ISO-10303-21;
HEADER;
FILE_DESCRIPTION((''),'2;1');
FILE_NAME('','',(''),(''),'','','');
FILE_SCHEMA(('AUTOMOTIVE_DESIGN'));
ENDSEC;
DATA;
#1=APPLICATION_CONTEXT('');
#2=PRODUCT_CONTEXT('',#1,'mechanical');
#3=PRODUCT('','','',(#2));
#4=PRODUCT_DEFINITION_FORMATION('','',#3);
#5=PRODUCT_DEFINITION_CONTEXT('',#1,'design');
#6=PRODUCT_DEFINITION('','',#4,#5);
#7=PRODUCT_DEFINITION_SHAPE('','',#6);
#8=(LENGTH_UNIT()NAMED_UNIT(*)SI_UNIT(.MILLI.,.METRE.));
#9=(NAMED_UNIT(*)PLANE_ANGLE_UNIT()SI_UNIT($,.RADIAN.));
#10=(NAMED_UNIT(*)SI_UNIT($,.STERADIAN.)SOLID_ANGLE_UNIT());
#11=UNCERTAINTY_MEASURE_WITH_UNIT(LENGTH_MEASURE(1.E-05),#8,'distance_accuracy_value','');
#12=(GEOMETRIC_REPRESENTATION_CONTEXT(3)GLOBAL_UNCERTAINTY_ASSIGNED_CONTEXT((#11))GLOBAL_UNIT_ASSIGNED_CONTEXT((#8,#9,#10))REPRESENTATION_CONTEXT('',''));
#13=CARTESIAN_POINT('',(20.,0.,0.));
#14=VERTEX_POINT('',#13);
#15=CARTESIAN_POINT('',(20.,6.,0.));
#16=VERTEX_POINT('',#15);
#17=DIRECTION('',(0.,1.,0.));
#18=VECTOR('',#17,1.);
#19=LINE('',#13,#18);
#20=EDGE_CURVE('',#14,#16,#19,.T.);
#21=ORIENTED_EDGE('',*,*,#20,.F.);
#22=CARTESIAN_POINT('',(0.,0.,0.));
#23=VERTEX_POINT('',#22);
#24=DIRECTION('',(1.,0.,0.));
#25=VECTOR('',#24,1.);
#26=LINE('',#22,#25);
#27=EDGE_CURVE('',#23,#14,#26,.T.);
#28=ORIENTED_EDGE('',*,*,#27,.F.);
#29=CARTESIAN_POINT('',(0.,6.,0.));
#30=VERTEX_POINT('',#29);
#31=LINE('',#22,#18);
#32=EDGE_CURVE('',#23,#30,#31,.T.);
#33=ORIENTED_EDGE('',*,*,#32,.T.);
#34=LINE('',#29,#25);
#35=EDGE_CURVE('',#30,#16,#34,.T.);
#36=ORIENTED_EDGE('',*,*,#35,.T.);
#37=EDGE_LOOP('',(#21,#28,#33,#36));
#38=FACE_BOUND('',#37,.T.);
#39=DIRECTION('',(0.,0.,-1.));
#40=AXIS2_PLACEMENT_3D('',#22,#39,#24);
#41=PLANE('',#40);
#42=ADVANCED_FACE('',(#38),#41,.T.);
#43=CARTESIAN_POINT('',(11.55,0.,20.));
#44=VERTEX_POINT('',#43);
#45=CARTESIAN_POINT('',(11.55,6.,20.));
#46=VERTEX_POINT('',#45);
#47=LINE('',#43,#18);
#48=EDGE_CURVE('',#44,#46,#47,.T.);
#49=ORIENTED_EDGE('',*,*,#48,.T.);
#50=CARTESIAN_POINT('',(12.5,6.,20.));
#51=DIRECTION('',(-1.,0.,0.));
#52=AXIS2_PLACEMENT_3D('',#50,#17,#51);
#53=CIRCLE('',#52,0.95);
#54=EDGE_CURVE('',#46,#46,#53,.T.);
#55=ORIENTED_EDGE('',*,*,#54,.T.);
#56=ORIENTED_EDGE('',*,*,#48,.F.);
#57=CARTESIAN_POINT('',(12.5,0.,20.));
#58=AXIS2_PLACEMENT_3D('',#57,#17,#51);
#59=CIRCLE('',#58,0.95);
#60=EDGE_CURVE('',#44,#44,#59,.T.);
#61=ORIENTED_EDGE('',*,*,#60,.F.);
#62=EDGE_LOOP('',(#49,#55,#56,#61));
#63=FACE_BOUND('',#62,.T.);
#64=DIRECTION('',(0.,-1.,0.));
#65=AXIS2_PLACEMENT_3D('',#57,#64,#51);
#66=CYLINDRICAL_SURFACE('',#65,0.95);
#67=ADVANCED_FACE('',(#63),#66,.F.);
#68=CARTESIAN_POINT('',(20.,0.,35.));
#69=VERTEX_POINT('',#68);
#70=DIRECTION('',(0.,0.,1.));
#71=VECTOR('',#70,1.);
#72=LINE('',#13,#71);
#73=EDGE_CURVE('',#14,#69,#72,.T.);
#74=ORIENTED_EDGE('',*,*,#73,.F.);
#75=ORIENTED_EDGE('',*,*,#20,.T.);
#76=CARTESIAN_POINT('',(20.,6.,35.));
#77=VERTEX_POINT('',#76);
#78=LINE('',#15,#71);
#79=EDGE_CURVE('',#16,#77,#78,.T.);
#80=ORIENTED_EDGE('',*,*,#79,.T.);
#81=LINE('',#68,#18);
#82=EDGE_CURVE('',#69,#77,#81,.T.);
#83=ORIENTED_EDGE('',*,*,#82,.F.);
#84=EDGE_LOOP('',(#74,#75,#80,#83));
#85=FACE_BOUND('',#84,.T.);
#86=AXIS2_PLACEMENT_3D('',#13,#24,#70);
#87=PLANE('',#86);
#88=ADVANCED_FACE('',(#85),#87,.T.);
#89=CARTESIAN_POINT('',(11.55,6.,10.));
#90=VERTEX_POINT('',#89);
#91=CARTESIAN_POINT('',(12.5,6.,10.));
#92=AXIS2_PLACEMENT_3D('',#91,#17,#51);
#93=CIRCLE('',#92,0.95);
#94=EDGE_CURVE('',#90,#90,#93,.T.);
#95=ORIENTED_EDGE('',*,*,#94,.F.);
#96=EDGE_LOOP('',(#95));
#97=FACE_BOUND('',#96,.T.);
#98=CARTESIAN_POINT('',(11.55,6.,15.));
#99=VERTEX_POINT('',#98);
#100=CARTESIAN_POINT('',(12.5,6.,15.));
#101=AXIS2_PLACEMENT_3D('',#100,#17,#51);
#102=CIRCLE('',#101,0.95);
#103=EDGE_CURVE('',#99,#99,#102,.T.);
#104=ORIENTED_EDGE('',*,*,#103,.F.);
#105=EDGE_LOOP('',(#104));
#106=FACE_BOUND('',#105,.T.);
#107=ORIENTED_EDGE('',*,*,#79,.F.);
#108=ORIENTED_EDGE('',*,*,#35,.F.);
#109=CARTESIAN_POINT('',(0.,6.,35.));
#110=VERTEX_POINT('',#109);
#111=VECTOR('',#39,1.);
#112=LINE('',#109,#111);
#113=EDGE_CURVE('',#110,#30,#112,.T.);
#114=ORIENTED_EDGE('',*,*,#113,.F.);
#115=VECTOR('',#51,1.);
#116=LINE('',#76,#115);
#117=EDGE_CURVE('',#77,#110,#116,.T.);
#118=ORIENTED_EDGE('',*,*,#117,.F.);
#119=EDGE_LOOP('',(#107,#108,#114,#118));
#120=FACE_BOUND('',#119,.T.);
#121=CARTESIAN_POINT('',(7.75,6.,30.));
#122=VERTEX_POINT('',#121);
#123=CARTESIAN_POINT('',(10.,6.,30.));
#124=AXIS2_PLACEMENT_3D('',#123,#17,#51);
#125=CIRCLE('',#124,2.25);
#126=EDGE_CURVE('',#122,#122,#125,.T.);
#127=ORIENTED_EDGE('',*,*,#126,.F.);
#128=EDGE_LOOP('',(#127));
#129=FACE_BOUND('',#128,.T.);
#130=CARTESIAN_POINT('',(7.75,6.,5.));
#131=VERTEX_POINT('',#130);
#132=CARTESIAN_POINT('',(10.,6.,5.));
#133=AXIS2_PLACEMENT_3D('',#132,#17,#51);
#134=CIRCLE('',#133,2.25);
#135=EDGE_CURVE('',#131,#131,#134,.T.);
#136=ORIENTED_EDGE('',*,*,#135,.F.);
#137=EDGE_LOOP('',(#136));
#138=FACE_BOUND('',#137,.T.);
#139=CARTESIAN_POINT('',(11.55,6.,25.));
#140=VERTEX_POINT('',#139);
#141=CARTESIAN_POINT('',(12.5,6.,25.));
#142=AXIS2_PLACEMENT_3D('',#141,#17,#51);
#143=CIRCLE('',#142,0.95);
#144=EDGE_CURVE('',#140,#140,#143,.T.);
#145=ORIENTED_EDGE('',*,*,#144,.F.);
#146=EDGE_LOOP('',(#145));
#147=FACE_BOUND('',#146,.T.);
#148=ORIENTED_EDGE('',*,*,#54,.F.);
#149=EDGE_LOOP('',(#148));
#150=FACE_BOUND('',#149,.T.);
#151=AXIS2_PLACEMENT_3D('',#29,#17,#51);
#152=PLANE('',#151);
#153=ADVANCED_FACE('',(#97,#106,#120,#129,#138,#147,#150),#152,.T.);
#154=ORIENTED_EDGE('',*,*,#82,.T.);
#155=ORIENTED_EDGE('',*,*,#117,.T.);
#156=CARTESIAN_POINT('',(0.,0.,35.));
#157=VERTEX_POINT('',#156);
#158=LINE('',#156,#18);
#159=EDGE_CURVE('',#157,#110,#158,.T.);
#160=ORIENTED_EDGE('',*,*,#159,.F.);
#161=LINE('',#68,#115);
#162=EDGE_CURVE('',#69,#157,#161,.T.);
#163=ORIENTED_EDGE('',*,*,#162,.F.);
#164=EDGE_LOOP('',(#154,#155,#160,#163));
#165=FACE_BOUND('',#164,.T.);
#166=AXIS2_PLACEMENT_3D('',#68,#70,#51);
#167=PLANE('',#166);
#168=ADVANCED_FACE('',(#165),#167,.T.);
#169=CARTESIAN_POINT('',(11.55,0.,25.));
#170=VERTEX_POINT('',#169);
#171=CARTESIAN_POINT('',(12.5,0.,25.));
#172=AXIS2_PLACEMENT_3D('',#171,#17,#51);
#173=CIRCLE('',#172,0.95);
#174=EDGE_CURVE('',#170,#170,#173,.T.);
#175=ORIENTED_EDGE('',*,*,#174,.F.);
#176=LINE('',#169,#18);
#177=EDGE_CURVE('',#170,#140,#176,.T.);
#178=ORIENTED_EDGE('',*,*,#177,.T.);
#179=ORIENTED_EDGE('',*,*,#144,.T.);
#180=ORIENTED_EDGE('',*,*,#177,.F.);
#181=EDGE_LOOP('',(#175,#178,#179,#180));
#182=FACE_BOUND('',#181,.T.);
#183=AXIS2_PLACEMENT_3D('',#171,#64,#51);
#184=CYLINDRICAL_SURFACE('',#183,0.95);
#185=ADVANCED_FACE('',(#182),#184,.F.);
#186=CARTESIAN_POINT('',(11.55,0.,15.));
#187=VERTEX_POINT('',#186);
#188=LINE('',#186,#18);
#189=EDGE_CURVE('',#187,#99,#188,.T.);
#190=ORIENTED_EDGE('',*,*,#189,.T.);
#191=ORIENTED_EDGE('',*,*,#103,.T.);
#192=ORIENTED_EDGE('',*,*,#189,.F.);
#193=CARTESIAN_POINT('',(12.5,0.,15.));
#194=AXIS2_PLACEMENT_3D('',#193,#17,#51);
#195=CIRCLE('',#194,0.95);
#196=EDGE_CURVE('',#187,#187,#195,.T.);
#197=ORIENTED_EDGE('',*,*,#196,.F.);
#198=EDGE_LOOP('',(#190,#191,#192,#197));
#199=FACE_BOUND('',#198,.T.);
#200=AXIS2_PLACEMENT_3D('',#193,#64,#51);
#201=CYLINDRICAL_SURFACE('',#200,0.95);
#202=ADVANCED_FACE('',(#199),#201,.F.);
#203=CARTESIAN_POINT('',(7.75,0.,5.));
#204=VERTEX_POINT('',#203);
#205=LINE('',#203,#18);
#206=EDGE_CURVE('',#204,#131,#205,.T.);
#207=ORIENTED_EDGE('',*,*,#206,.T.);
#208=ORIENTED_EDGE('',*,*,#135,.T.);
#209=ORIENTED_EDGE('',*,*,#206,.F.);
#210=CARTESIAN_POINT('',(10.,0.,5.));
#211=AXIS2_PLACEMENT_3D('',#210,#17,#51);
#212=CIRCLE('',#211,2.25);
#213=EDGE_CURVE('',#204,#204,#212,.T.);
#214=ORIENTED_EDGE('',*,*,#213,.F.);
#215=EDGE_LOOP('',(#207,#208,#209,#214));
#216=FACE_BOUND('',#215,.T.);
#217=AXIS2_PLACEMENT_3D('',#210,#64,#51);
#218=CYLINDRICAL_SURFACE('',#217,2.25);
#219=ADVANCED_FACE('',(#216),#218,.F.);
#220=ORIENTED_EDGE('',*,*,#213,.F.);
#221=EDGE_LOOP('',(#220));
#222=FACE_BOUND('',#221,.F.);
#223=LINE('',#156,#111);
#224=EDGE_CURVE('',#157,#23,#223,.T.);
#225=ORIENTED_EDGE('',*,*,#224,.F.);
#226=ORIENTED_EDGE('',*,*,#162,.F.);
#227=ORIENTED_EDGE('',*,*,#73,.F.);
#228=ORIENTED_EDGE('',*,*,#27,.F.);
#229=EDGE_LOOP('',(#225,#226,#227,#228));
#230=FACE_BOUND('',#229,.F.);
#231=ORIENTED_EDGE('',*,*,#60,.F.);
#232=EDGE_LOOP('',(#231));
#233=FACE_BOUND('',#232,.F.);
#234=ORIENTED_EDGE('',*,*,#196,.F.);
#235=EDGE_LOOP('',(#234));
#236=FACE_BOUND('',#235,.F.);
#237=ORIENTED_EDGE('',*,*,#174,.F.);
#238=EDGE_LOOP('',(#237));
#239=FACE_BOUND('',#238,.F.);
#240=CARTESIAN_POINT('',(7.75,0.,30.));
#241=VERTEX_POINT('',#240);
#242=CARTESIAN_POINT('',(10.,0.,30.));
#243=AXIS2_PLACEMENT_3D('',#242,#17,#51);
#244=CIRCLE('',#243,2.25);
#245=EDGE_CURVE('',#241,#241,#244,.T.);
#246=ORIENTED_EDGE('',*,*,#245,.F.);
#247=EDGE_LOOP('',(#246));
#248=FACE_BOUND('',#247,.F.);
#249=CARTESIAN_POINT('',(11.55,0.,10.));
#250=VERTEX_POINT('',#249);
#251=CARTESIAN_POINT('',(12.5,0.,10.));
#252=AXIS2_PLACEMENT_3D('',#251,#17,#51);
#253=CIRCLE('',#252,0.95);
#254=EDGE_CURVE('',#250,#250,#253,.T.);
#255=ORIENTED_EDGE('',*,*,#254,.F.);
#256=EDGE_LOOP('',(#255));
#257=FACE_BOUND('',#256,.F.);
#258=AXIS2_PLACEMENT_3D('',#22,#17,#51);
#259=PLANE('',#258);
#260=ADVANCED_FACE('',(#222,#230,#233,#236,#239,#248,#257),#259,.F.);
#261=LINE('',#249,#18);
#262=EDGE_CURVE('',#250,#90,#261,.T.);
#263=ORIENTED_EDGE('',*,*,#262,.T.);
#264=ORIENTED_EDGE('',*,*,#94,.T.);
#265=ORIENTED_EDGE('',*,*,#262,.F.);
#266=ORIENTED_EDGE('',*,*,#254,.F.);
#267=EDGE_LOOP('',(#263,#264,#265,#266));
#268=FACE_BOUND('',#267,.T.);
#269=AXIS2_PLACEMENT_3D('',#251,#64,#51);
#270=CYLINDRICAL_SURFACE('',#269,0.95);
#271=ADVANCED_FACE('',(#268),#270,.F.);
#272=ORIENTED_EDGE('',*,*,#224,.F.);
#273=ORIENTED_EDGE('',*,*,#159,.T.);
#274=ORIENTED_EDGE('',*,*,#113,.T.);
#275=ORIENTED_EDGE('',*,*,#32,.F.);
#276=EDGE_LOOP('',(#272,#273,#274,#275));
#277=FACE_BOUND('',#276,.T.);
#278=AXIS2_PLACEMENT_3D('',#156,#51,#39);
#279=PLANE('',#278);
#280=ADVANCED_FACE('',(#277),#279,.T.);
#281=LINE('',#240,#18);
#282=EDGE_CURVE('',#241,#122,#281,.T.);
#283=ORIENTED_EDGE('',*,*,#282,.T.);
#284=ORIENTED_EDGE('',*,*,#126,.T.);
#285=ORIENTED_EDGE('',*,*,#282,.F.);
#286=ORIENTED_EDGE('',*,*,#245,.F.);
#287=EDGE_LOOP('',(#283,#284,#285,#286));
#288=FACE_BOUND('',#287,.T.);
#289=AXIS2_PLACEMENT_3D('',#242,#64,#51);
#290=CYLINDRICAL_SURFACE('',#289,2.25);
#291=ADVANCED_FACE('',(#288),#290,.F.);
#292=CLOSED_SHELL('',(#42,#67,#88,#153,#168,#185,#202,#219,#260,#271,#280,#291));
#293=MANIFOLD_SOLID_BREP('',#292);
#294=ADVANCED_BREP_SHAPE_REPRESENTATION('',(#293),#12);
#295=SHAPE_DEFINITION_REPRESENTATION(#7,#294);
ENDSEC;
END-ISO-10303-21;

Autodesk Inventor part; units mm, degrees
ref_plane "YZ Plane" through (0, 0, 0) normal (1, 0, 0) x (0, 1, 0)
ref_plane "XZ Plane" through (0, 0, 0) normal (0, 1, 0) x (-1, 0, 0)
ref_plane "XY Plane" through (0, 0, 0) normal (0, 0, 1) x (1, 0, 0)
sketch "Sketch2" plane through (0, 0, 0) normal (0, 1, 0) x (-1, 0, 0)
  line L0 (0, 0) -> (-20, 0)
  line L1 (-20, 0) -> (-20, 35)
  line L2 (-20, 35) -> (0, 35)
  line L3 (0, 35) -> (0, 0)
  circle A0 centre (-10, 5) radius 2.25
  circle A1 centre (-10, 30) radius 2.25
  circle A2 centre (-12.5, 10) radius 0.95
  circle A3 centre (-12.5, 15) radius 0.95
  circle A4 centre (-12.5, 20) radius 0.95
  circle A5 centre (-12.5, 25) radius 0.95
  dimension "d76" = 20
  dimension "d77" = 35
  dimension "d78" = 5
  dimension "d79" = 25
  dimension "d80" = 10
  dimension "d81" = 4.5
  dimension "d82" = 1.9
  dimension "d85" = 5
  dimension "d90" = 5
  dimension "d91" = 7.5
extrude "Extrusion2" add sketch "Sketch2" along normal blind 6
properties part number "phone_holder_side_cap" material "Acrylic, Clear"
